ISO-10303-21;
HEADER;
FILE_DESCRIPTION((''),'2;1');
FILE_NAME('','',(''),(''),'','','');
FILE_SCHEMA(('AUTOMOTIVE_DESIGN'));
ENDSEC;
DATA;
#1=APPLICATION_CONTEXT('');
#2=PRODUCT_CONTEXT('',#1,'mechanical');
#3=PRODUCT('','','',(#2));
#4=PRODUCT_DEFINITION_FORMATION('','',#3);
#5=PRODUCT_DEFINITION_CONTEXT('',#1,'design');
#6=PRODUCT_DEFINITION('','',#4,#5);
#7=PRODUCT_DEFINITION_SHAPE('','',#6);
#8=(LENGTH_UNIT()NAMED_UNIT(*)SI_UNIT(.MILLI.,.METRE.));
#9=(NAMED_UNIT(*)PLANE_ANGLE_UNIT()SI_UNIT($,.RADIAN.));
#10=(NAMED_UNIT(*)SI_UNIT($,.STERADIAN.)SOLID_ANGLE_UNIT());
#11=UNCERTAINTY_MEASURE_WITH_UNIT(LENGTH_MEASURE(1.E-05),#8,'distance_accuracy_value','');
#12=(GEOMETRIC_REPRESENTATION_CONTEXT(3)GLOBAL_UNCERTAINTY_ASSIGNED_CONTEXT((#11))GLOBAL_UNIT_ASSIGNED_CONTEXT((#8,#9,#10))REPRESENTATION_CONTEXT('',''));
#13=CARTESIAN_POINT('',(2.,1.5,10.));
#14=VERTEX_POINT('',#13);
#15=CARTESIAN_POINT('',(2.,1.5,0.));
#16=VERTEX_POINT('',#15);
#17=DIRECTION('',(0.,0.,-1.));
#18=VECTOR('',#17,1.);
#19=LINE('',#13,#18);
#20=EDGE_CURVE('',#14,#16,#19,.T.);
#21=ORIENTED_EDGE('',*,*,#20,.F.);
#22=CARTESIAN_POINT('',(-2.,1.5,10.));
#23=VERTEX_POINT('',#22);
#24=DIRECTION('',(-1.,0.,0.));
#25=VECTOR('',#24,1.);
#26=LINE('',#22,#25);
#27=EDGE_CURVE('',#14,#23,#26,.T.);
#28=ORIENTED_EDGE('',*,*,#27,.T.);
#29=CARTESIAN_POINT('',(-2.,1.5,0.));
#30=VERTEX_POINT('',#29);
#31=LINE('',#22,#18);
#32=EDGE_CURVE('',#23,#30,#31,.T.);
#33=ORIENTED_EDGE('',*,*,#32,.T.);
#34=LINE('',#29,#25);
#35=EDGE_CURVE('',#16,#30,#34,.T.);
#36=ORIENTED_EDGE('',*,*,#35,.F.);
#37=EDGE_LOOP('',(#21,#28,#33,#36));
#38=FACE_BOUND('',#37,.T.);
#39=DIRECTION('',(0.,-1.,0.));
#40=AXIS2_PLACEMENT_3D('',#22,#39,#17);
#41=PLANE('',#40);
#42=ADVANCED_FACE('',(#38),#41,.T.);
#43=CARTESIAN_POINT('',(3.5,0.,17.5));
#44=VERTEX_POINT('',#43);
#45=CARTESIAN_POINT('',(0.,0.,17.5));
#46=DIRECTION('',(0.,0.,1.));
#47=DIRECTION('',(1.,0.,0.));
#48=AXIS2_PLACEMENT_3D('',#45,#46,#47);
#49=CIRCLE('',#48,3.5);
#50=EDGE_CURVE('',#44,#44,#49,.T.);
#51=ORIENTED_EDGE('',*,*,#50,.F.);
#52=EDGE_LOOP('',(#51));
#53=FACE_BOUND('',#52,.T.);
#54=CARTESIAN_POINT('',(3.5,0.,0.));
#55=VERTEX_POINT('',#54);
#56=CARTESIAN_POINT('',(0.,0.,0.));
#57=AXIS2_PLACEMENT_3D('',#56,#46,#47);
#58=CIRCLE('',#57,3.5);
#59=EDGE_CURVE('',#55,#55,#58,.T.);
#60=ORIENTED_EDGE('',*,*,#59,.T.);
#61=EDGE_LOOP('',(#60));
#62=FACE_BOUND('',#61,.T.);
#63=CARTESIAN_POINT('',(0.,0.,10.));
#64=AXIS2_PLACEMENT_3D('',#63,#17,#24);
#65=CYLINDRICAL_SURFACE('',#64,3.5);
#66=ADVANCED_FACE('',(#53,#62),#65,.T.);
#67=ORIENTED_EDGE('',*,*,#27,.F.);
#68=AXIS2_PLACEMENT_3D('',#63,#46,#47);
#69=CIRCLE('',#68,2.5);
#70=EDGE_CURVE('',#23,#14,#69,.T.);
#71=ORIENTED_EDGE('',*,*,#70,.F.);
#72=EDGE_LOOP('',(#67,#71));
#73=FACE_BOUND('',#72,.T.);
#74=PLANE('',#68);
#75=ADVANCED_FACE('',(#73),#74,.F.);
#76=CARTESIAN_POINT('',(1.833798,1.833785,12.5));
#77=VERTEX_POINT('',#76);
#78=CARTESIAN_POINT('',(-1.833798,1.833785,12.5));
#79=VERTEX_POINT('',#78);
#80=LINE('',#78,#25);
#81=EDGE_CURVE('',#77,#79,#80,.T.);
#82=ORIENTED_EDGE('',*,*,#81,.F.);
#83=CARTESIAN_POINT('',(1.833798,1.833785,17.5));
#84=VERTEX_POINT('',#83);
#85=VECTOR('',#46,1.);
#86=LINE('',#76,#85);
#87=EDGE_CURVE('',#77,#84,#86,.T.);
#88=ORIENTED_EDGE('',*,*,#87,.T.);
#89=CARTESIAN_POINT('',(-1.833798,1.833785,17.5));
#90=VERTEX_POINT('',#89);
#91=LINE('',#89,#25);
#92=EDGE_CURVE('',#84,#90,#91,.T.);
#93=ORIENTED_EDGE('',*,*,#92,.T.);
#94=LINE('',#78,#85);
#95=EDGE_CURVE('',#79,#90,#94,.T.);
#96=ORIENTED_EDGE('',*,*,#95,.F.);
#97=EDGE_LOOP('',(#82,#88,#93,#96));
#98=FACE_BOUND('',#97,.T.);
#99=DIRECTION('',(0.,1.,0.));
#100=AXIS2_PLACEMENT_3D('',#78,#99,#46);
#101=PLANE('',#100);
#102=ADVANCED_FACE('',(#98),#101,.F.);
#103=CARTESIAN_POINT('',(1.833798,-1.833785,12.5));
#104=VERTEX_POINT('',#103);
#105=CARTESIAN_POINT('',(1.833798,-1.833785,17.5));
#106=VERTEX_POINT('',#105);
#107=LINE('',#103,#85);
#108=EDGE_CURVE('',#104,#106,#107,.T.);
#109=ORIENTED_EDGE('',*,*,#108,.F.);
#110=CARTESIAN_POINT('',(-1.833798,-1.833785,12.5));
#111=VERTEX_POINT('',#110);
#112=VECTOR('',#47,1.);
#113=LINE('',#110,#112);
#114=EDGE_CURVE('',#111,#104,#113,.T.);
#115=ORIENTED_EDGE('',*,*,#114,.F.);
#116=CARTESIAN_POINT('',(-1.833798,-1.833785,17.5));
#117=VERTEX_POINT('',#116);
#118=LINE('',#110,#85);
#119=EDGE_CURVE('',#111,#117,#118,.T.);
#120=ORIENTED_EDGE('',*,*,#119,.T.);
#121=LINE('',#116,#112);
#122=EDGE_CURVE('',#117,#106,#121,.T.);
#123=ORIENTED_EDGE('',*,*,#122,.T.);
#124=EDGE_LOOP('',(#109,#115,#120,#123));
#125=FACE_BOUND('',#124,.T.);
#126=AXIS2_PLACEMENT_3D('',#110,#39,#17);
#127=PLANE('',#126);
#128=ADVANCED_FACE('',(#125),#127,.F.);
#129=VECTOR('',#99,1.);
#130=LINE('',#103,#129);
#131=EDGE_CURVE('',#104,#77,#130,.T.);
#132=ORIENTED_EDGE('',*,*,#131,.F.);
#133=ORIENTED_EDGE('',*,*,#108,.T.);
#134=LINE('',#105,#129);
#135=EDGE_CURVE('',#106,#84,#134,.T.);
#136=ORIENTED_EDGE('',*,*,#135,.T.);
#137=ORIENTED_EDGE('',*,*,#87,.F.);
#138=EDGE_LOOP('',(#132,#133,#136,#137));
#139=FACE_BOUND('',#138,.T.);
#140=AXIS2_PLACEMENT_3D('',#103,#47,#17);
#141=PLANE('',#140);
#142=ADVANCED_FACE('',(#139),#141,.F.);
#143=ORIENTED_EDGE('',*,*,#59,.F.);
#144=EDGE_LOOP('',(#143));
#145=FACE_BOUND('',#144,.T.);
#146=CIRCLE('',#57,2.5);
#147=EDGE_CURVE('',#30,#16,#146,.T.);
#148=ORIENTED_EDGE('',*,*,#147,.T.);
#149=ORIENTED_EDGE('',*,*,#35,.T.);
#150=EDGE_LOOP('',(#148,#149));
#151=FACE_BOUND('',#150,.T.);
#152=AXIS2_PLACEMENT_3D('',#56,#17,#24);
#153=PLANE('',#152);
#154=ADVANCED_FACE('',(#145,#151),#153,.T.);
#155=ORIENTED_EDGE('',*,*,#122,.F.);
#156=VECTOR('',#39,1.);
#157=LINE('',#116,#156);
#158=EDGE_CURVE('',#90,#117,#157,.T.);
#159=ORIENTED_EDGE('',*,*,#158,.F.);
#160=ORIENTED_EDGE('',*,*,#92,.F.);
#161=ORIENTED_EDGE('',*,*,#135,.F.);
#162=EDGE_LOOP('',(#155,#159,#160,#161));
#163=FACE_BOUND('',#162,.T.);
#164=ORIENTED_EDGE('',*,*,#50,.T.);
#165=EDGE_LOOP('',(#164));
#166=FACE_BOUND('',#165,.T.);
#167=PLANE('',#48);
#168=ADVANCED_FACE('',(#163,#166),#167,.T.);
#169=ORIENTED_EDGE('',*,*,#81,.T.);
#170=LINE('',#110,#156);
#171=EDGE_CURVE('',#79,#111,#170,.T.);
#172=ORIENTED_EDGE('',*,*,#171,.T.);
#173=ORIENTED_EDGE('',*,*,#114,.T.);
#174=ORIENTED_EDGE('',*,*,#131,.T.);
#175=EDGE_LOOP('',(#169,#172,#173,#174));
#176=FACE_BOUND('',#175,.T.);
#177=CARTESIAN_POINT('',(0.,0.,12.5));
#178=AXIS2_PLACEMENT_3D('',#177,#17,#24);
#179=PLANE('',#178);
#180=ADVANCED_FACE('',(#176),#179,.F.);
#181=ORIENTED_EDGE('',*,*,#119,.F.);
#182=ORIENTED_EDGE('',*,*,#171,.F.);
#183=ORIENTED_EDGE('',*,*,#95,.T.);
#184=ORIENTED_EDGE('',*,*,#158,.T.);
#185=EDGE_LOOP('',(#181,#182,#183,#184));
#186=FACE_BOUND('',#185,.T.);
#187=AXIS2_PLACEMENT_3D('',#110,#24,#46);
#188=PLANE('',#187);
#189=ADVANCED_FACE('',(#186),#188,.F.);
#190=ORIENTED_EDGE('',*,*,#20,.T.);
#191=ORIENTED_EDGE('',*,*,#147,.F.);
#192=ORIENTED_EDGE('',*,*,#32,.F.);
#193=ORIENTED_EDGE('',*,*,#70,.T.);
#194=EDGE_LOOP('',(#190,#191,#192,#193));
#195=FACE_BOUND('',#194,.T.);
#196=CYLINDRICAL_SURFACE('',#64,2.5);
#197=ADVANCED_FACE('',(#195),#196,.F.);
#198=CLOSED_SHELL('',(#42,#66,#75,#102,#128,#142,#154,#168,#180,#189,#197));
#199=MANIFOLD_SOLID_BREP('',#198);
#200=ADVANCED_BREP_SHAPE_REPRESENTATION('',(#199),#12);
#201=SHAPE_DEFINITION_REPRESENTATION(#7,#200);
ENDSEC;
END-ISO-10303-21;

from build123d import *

# Parameters (mm, degrees)
BOSS_EXTRUDE1_DEPTH = 10
SKETCH2_R           = 3.5
BOSS_EXTRUDE2_DEPTH = 7.5
SKETCH3_W           = 3.66759605
SKETCH3_H           = 3.66756905
CUT_EXTRUDE1_DEPTH  = 5


with BuildPart() as part:
    # Sketch1 → Boss-Extrude1 (new body)
    with BuildSketch(Plane.XY):
        with BuildLine():
            ThreePointArc((-2.449489743, 2.5), (0, -3.5), (2.449489743, 2.5))
            ThreePointArc((2.449489743, 2.5), (0, 3.5), (-2.449489743, 2.5))
        make_face()
        with BuildLine():
            Line((-2, 1.5), (2, 1.5))
            ThreePointArc((2, 1.5), (0, -2.5), (-2, 1.5))
        make_face(mode=Mode.SUBTRACT)
    extrude(amount=BOSS_EXTRUDE1_DEPTH)

    # Sketch2 → Boss-Extrude2 (add)
    with BuildSketch(Plane.XY.offset(10)):
        Circle(SKETCH2_R)
    extrude(amount=BOSS_EXTRUDE2_DEPTH)

    # Sketch3 → Cut-Extrude1 (cut)
    with BuildSketch(Plane.XY.offset(17.5)):
        Rectangle(SKETCH3_W, SKETCH3_H)
    extrude(amount=-CUT_EXTRUDE1_DEPTH, mode=Mode.SUBTRACT)


solid = part.part
